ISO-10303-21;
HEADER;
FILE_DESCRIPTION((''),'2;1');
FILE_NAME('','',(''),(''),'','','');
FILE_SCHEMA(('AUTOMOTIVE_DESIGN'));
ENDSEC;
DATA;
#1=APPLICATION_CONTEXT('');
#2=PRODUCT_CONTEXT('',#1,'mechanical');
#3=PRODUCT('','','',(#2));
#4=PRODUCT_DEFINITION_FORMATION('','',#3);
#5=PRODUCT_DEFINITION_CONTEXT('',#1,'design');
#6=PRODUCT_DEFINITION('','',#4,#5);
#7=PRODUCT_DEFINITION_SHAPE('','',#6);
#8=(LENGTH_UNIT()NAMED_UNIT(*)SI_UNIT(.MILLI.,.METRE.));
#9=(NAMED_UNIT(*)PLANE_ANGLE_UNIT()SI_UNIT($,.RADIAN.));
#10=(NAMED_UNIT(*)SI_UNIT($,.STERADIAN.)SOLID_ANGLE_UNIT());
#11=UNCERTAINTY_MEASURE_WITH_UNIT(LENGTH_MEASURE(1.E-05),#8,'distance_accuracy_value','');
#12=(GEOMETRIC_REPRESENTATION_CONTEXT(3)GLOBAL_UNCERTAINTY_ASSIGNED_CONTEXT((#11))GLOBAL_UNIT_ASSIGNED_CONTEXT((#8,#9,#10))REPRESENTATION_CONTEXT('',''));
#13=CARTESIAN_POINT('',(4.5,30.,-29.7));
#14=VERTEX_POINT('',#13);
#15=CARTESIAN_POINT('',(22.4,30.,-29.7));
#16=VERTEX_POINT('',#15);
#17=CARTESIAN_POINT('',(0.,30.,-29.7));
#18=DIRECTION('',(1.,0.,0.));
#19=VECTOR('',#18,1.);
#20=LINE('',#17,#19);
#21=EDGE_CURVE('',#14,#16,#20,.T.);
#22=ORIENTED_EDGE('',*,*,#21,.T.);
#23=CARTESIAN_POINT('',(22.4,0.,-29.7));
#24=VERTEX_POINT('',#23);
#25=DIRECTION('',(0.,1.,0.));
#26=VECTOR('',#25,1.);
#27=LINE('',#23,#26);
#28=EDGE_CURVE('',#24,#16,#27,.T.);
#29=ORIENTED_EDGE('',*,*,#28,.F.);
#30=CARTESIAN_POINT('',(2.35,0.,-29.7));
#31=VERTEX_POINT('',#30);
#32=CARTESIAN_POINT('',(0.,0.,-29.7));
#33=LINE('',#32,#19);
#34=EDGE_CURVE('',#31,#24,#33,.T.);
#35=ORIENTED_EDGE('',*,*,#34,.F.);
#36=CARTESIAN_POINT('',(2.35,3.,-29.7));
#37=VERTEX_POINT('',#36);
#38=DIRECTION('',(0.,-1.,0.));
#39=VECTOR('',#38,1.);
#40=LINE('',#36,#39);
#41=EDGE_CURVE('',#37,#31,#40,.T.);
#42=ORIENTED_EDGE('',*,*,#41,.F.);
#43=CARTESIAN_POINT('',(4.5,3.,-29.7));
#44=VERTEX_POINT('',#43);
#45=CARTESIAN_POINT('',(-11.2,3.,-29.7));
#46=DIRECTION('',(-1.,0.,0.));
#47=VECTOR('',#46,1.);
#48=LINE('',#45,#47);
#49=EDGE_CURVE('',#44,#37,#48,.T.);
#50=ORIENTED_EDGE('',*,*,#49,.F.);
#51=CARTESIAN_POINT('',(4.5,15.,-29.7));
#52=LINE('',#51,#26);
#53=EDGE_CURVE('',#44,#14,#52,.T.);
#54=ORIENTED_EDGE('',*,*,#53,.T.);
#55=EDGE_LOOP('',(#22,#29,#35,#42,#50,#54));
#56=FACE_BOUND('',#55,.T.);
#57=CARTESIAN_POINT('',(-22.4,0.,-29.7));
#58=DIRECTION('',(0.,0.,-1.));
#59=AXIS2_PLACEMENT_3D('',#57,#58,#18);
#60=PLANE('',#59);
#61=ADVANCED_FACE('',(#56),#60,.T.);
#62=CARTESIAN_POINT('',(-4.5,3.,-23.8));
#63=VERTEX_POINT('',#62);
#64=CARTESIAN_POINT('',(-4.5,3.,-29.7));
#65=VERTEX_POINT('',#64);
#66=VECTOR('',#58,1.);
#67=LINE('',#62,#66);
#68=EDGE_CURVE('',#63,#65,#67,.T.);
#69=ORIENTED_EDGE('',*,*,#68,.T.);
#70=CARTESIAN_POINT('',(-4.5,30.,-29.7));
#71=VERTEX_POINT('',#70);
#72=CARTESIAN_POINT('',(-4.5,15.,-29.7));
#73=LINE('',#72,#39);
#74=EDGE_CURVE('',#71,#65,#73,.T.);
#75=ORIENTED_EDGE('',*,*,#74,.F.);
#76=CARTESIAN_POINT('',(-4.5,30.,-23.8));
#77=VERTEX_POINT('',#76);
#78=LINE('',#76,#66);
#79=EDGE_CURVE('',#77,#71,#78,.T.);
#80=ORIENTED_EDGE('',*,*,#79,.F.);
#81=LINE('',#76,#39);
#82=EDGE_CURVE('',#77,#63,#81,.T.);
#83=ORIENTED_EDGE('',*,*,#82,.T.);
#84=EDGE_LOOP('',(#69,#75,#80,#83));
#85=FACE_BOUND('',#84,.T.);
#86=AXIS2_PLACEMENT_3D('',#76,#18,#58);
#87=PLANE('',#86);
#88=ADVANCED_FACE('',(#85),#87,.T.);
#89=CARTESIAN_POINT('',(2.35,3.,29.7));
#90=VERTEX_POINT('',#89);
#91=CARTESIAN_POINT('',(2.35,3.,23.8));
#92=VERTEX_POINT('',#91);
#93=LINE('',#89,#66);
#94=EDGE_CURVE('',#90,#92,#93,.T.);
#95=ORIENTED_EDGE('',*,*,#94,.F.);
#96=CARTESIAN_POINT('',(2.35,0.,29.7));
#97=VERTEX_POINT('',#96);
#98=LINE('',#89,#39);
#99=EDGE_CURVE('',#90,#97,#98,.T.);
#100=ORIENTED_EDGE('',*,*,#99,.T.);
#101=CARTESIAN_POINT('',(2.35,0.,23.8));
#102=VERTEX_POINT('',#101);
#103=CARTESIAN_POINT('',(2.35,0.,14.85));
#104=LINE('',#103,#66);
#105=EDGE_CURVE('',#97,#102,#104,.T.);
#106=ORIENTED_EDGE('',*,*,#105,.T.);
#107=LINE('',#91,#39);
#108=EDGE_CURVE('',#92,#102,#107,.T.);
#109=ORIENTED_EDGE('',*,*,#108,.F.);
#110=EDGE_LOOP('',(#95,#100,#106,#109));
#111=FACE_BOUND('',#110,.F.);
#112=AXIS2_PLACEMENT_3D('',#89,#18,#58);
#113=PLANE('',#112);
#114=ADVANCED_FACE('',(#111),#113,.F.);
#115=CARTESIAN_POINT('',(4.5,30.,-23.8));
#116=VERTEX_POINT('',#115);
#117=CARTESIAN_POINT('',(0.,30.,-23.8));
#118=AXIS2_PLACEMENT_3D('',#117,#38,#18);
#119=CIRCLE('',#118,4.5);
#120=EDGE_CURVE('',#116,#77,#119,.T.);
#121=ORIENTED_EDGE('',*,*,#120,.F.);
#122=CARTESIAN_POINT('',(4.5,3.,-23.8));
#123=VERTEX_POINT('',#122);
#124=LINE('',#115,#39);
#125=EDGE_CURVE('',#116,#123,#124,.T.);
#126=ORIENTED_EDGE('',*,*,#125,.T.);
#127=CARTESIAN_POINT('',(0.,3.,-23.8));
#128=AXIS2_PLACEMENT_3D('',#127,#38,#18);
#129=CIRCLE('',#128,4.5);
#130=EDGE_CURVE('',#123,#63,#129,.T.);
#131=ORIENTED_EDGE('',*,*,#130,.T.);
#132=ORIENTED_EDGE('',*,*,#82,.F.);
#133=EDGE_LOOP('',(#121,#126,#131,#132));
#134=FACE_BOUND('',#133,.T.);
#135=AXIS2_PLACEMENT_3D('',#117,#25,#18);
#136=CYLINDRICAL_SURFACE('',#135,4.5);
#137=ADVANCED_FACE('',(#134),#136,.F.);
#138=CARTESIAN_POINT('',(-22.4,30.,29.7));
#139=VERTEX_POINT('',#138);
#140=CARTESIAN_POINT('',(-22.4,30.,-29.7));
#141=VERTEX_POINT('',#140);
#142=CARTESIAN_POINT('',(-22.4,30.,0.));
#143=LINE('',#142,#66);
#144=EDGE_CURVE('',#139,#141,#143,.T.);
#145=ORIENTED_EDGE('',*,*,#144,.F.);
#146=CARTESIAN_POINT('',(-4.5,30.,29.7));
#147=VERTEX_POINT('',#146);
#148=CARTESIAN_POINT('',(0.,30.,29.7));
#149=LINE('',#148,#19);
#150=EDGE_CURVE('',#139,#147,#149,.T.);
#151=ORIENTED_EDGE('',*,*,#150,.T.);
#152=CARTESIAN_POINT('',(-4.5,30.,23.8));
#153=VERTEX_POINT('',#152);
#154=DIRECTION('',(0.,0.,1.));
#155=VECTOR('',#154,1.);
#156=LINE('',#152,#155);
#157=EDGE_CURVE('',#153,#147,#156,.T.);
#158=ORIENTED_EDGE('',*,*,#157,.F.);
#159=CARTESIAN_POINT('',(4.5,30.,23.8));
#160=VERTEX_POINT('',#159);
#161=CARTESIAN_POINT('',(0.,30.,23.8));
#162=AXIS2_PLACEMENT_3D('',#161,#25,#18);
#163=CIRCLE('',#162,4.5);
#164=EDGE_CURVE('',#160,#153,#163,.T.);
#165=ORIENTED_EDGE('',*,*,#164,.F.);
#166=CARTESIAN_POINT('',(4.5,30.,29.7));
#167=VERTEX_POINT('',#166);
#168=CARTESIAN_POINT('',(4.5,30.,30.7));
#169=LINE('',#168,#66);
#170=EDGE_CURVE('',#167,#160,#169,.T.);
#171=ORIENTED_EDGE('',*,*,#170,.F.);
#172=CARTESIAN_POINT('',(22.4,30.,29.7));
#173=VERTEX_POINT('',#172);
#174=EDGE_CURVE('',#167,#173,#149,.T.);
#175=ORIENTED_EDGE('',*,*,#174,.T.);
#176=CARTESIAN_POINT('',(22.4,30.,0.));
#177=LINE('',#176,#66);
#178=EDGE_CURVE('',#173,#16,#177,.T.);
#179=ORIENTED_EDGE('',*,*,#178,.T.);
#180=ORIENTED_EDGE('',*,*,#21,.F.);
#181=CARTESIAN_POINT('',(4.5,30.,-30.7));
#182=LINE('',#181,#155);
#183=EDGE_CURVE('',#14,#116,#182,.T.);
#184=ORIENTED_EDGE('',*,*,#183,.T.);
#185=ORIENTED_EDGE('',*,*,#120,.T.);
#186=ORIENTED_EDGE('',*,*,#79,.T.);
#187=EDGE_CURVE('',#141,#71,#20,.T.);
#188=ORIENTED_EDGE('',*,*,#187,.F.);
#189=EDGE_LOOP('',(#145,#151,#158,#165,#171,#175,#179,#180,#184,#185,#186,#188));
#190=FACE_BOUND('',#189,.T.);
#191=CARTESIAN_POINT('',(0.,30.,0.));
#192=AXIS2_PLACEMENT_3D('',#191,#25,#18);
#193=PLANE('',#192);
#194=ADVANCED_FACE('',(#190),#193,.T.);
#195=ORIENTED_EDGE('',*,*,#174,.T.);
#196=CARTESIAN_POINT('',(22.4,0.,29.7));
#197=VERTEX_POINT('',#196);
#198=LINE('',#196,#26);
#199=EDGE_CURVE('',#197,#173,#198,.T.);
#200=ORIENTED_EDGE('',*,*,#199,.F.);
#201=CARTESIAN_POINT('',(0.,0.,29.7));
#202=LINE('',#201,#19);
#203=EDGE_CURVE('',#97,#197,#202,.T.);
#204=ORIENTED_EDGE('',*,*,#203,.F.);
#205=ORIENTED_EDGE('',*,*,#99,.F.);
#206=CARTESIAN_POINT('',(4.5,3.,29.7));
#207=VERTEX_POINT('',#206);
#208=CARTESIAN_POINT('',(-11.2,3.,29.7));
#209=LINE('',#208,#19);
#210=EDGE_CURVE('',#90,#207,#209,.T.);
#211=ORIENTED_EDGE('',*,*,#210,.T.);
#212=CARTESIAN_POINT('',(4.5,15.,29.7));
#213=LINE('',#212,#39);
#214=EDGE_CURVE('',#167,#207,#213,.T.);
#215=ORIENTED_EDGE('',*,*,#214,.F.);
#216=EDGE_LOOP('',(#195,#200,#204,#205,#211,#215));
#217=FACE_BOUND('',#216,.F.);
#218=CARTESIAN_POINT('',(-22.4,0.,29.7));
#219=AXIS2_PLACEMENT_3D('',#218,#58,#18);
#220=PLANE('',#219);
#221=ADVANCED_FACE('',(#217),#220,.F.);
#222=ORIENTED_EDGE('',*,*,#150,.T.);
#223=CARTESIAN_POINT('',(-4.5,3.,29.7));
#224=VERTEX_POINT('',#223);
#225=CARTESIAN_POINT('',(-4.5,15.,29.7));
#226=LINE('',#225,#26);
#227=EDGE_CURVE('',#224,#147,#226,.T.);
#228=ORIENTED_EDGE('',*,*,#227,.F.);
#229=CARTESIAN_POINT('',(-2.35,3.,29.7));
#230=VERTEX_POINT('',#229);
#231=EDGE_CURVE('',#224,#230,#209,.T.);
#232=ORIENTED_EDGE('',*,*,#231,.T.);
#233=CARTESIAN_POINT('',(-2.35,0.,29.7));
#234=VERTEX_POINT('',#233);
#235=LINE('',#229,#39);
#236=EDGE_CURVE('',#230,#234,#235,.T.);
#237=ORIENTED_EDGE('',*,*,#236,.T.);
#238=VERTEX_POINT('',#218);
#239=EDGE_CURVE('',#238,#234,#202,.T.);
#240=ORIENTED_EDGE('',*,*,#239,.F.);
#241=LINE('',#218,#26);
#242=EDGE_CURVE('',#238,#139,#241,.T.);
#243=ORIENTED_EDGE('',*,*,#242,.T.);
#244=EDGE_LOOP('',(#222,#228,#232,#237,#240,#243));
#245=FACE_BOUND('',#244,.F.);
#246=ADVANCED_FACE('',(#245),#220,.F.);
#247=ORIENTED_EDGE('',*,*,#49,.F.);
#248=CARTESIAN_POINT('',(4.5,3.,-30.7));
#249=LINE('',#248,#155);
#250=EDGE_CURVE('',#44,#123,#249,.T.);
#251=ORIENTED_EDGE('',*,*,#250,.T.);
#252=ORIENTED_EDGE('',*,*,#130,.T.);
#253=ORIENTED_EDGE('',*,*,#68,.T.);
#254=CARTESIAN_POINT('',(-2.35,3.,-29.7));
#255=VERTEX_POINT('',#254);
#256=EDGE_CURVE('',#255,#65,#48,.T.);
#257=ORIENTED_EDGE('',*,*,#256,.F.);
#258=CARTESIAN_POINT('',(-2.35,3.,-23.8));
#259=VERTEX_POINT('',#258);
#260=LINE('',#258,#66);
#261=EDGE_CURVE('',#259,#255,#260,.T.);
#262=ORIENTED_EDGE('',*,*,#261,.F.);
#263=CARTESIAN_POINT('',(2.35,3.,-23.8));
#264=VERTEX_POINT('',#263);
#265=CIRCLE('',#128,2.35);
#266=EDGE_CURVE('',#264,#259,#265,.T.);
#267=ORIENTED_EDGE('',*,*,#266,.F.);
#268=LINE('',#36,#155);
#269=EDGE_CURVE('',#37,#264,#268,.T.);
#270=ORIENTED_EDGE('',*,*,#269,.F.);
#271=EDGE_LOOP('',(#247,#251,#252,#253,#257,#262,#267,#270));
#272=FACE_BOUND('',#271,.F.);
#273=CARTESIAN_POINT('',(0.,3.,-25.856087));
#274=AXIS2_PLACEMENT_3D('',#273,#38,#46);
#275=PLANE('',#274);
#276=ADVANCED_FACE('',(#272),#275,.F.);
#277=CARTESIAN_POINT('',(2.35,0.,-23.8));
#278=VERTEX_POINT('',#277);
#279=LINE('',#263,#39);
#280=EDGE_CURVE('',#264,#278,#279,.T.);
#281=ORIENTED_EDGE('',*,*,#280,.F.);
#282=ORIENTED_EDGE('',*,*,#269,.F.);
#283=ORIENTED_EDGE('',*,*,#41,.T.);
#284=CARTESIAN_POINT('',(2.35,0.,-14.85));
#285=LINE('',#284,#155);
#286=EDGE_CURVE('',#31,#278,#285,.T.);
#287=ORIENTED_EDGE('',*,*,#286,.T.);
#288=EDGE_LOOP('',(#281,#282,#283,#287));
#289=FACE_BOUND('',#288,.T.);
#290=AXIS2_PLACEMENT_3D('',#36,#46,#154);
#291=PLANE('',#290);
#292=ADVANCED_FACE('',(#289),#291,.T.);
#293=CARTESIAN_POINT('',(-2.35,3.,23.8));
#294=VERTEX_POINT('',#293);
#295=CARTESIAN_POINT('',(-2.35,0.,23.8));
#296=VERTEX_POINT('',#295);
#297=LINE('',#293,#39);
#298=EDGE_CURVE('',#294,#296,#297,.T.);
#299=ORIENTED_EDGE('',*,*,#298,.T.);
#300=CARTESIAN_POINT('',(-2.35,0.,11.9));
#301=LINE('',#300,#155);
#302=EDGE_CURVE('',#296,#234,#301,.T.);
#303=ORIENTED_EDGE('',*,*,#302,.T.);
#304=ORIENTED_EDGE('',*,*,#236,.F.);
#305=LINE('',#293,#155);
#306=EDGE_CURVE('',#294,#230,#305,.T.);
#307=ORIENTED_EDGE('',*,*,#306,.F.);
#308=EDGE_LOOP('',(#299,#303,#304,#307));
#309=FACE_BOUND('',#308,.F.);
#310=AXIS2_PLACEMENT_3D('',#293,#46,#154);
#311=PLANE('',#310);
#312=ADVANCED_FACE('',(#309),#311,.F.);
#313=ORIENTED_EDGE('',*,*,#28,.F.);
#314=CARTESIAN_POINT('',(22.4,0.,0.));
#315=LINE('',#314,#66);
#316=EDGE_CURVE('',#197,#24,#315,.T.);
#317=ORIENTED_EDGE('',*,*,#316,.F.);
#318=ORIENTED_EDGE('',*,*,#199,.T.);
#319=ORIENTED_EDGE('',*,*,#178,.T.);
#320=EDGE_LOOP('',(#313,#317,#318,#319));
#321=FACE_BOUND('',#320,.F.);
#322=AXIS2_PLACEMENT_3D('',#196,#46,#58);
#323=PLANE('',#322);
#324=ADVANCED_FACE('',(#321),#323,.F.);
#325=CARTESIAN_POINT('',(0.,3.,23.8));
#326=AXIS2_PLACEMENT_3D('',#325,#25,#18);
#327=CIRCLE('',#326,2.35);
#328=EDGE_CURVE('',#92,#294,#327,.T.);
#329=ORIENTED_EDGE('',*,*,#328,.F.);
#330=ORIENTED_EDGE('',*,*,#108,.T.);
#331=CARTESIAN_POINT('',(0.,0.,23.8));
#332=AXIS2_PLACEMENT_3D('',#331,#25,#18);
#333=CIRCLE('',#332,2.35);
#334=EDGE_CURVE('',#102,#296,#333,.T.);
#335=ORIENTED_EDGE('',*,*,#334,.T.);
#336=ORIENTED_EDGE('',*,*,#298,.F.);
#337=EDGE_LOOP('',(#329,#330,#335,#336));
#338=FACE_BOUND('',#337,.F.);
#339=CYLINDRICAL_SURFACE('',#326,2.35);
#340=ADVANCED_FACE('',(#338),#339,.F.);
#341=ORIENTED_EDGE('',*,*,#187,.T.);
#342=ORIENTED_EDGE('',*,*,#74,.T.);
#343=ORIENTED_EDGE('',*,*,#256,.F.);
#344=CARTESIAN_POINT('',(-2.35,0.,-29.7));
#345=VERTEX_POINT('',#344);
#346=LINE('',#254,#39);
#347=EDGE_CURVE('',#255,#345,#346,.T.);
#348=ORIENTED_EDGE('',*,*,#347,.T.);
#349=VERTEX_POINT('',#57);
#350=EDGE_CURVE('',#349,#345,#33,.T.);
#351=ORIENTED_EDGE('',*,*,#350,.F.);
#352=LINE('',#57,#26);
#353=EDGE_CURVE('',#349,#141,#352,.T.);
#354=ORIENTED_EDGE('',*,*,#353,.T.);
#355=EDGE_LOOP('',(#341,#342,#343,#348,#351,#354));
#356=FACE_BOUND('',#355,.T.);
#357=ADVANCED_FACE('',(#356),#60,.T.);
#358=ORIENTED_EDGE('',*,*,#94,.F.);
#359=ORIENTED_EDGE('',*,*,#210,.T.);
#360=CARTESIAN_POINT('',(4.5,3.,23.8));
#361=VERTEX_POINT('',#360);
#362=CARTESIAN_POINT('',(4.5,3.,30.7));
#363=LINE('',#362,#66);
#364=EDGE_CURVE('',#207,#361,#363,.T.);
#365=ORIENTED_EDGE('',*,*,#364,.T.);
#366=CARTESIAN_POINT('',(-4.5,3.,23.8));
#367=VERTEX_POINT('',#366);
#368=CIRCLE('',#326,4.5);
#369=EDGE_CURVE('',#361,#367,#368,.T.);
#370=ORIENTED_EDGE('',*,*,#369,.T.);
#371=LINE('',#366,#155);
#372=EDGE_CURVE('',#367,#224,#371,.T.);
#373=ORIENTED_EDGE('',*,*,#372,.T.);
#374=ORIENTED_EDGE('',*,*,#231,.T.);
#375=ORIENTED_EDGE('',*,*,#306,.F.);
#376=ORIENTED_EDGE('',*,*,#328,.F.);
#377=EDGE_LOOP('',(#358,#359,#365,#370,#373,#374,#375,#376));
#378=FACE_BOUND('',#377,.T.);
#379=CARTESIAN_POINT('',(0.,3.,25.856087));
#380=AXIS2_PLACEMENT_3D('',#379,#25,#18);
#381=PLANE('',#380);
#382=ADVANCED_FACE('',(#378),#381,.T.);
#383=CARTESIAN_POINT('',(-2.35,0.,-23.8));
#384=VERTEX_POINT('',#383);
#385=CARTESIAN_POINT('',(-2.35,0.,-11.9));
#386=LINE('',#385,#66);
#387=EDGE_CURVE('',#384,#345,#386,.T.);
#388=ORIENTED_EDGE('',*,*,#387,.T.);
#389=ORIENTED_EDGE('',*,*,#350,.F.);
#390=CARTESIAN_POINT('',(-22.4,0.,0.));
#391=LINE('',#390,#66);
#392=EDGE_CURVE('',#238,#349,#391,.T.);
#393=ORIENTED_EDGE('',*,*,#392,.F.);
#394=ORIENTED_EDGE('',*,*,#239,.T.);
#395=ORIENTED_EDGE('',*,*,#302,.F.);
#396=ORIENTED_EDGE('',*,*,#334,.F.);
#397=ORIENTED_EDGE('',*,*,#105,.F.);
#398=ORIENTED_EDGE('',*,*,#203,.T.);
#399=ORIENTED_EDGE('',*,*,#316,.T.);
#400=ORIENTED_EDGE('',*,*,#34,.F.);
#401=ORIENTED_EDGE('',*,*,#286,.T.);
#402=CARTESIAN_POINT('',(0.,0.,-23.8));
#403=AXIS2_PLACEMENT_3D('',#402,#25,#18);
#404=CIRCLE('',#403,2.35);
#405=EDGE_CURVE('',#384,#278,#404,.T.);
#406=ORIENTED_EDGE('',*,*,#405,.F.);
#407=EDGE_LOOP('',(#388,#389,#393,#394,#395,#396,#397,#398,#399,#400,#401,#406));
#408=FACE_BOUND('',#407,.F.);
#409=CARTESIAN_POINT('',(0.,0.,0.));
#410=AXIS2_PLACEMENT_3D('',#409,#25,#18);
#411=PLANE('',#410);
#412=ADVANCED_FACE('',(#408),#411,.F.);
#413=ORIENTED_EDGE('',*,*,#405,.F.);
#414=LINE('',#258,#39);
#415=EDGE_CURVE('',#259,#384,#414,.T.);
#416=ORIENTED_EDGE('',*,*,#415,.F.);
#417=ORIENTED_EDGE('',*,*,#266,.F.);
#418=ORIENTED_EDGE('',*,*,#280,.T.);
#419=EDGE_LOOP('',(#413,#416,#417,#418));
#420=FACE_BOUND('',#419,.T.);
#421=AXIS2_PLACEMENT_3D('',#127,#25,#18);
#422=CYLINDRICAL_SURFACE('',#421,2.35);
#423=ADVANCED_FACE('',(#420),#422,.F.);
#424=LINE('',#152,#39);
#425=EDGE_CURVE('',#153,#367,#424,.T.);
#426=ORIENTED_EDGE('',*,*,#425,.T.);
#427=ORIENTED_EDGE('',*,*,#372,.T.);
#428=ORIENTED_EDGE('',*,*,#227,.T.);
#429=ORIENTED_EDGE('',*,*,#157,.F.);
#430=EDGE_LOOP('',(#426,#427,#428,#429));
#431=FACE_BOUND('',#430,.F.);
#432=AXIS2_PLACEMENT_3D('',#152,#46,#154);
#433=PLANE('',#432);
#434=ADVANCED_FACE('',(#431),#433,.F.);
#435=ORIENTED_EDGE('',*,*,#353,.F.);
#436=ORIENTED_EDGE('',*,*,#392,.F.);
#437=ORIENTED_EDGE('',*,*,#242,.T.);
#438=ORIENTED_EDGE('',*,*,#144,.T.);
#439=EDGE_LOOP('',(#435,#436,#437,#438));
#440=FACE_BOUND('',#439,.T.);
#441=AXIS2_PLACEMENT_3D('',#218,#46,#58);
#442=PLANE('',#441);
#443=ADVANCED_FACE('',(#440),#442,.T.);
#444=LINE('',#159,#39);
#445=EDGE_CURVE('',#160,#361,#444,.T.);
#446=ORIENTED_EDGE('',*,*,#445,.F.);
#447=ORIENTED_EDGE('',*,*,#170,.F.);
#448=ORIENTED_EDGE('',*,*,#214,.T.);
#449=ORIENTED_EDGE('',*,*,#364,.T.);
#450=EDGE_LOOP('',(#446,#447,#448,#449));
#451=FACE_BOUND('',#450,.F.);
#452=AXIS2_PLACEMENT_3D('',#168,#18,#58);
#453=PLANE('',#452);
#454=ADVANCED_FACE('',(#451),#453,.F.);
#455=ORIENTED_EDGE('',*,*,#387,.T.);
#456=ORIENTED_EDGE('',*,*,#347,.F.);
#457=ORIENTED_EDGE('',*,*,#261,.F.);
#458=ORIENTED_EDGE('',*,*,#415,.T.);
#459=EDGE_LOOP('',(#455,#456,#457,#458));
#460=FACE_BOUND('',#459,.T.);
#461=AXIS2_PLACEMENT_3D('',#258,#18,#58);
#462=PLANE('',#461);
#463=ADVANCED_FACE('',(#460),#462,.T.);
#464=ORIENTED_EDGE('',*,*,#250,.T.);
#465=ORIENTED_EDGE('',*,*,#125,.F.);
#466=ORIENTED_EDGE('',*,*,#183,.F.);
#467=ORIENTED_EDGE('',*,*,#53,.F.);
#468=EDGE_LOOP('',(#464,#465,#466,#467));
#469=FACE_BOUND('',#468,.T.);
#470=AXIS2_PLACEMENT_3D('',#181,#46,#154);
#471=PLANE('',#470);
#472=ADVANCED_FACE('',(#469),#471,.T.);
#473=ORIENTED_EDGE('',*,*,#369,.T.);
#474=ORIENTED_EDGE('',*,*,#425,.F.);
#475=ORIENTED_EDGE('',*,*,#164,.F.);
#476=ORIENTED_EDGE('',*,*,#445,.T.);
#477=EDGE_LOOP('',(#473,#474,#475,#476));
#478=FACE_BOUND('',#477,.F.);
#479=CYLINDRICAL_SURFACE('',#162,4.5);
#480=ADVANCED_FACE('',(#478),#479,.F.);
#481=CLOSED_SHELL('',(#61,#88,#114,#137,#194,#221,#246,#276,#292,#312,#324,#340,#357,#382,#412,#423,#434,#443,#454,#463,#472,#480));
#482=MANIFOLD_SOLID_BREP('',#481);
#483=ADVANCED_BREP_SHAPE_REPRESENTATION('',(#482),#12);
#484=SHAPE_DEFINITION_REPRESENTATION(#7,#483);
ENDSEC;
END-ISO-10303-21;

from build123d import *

# Parameters (mm, degrees)
SKETCH1_W           = 44.8
SKETCH1_H           = 59.4
BOSS_EXTRUDE1_DEPTH = 30
CUT_EXTRUDE1_DEPTH  = 27
CUT_EXTRUDE2_DEPTH  = 46.965748117


with BuildPart() as part:
    # Sketch1 → Boss-Extrude1 (new body)
    with BuildSketch(Plane(origin=(0, 0, 0), x_dir=(1, 0, 0), z_dir=(0, 1, 0))):
        Rectangle(SKETCH1_W, SKETCH1_H)
    extrude(amount=BOSS_EXTRUDE1_DEPTH)

    # Sketch3 → Cut-Extrude1 (cut)
    with BuildSketch(Plane(origin=(0, 30, 0), x_dir=(1, 0, 0), z_dir=(0, 1, 0))):
        with BuildLine():
            Line((-4.5, 23.8), (-4.5, 30.7))
            Line((-4.5, 30.7), (4.5, 30.7))
            Line((4.5, 30.7), (4.5, 23.8))
            ThreePointArc((4.5, 23.8), (0, 19.3), (-4.5, 23.8))
        make_face()
        with BuildLine():
            Line((-4.5, -23.8), (-4.5, -30.7))
            Line((-4.5, -30.7), (4.5, -30.7))
            Line((4.5, -30.7), (4.5, -23.8))
            ThreePointArc((4.5, -23.8), (0, -19.3), (-4.5, -23.8))
        make_face()
    extrude(amount=-CUT_EXTRUDE1_DEPTH, mode=Mode.SUBTRACT)

    # Sketch4 → Cut-Extrude2 (cut, through all)
    with BuildSketch(Plane(origin=(0, 3, 0), x_dir=(1, 0, 0), z_dir=(0, 1, 0))):
        with BuildLine():
            Line((-2.35, 23.8), (-2.35, 29.7))
            Line((-2.35, 29.7), (2.35, 29.7))
            Line((2.35, 29.7), (2.35, 23.8))
            ThreePointArc((2.35, 23.8), (0, 21.45), (-2.35, 23.8))
        make_face()
        with BuildLine():
            Line((-2.35, -23.8), (-2.35, -29.7))
            Line((-2.35, -29.7), (2.35, -29.7))
            Line((2.35, -29.7), (2.35, -23.8))
            ThreePointArc((2.35, -23.8), (0, -21.45), (-2.35, -23.8))
        make_face()
    extrude(amount=-CUT_EXTRUDE2_DEPTH, mode=Mode.SUBTRACT)


solid = part.part
